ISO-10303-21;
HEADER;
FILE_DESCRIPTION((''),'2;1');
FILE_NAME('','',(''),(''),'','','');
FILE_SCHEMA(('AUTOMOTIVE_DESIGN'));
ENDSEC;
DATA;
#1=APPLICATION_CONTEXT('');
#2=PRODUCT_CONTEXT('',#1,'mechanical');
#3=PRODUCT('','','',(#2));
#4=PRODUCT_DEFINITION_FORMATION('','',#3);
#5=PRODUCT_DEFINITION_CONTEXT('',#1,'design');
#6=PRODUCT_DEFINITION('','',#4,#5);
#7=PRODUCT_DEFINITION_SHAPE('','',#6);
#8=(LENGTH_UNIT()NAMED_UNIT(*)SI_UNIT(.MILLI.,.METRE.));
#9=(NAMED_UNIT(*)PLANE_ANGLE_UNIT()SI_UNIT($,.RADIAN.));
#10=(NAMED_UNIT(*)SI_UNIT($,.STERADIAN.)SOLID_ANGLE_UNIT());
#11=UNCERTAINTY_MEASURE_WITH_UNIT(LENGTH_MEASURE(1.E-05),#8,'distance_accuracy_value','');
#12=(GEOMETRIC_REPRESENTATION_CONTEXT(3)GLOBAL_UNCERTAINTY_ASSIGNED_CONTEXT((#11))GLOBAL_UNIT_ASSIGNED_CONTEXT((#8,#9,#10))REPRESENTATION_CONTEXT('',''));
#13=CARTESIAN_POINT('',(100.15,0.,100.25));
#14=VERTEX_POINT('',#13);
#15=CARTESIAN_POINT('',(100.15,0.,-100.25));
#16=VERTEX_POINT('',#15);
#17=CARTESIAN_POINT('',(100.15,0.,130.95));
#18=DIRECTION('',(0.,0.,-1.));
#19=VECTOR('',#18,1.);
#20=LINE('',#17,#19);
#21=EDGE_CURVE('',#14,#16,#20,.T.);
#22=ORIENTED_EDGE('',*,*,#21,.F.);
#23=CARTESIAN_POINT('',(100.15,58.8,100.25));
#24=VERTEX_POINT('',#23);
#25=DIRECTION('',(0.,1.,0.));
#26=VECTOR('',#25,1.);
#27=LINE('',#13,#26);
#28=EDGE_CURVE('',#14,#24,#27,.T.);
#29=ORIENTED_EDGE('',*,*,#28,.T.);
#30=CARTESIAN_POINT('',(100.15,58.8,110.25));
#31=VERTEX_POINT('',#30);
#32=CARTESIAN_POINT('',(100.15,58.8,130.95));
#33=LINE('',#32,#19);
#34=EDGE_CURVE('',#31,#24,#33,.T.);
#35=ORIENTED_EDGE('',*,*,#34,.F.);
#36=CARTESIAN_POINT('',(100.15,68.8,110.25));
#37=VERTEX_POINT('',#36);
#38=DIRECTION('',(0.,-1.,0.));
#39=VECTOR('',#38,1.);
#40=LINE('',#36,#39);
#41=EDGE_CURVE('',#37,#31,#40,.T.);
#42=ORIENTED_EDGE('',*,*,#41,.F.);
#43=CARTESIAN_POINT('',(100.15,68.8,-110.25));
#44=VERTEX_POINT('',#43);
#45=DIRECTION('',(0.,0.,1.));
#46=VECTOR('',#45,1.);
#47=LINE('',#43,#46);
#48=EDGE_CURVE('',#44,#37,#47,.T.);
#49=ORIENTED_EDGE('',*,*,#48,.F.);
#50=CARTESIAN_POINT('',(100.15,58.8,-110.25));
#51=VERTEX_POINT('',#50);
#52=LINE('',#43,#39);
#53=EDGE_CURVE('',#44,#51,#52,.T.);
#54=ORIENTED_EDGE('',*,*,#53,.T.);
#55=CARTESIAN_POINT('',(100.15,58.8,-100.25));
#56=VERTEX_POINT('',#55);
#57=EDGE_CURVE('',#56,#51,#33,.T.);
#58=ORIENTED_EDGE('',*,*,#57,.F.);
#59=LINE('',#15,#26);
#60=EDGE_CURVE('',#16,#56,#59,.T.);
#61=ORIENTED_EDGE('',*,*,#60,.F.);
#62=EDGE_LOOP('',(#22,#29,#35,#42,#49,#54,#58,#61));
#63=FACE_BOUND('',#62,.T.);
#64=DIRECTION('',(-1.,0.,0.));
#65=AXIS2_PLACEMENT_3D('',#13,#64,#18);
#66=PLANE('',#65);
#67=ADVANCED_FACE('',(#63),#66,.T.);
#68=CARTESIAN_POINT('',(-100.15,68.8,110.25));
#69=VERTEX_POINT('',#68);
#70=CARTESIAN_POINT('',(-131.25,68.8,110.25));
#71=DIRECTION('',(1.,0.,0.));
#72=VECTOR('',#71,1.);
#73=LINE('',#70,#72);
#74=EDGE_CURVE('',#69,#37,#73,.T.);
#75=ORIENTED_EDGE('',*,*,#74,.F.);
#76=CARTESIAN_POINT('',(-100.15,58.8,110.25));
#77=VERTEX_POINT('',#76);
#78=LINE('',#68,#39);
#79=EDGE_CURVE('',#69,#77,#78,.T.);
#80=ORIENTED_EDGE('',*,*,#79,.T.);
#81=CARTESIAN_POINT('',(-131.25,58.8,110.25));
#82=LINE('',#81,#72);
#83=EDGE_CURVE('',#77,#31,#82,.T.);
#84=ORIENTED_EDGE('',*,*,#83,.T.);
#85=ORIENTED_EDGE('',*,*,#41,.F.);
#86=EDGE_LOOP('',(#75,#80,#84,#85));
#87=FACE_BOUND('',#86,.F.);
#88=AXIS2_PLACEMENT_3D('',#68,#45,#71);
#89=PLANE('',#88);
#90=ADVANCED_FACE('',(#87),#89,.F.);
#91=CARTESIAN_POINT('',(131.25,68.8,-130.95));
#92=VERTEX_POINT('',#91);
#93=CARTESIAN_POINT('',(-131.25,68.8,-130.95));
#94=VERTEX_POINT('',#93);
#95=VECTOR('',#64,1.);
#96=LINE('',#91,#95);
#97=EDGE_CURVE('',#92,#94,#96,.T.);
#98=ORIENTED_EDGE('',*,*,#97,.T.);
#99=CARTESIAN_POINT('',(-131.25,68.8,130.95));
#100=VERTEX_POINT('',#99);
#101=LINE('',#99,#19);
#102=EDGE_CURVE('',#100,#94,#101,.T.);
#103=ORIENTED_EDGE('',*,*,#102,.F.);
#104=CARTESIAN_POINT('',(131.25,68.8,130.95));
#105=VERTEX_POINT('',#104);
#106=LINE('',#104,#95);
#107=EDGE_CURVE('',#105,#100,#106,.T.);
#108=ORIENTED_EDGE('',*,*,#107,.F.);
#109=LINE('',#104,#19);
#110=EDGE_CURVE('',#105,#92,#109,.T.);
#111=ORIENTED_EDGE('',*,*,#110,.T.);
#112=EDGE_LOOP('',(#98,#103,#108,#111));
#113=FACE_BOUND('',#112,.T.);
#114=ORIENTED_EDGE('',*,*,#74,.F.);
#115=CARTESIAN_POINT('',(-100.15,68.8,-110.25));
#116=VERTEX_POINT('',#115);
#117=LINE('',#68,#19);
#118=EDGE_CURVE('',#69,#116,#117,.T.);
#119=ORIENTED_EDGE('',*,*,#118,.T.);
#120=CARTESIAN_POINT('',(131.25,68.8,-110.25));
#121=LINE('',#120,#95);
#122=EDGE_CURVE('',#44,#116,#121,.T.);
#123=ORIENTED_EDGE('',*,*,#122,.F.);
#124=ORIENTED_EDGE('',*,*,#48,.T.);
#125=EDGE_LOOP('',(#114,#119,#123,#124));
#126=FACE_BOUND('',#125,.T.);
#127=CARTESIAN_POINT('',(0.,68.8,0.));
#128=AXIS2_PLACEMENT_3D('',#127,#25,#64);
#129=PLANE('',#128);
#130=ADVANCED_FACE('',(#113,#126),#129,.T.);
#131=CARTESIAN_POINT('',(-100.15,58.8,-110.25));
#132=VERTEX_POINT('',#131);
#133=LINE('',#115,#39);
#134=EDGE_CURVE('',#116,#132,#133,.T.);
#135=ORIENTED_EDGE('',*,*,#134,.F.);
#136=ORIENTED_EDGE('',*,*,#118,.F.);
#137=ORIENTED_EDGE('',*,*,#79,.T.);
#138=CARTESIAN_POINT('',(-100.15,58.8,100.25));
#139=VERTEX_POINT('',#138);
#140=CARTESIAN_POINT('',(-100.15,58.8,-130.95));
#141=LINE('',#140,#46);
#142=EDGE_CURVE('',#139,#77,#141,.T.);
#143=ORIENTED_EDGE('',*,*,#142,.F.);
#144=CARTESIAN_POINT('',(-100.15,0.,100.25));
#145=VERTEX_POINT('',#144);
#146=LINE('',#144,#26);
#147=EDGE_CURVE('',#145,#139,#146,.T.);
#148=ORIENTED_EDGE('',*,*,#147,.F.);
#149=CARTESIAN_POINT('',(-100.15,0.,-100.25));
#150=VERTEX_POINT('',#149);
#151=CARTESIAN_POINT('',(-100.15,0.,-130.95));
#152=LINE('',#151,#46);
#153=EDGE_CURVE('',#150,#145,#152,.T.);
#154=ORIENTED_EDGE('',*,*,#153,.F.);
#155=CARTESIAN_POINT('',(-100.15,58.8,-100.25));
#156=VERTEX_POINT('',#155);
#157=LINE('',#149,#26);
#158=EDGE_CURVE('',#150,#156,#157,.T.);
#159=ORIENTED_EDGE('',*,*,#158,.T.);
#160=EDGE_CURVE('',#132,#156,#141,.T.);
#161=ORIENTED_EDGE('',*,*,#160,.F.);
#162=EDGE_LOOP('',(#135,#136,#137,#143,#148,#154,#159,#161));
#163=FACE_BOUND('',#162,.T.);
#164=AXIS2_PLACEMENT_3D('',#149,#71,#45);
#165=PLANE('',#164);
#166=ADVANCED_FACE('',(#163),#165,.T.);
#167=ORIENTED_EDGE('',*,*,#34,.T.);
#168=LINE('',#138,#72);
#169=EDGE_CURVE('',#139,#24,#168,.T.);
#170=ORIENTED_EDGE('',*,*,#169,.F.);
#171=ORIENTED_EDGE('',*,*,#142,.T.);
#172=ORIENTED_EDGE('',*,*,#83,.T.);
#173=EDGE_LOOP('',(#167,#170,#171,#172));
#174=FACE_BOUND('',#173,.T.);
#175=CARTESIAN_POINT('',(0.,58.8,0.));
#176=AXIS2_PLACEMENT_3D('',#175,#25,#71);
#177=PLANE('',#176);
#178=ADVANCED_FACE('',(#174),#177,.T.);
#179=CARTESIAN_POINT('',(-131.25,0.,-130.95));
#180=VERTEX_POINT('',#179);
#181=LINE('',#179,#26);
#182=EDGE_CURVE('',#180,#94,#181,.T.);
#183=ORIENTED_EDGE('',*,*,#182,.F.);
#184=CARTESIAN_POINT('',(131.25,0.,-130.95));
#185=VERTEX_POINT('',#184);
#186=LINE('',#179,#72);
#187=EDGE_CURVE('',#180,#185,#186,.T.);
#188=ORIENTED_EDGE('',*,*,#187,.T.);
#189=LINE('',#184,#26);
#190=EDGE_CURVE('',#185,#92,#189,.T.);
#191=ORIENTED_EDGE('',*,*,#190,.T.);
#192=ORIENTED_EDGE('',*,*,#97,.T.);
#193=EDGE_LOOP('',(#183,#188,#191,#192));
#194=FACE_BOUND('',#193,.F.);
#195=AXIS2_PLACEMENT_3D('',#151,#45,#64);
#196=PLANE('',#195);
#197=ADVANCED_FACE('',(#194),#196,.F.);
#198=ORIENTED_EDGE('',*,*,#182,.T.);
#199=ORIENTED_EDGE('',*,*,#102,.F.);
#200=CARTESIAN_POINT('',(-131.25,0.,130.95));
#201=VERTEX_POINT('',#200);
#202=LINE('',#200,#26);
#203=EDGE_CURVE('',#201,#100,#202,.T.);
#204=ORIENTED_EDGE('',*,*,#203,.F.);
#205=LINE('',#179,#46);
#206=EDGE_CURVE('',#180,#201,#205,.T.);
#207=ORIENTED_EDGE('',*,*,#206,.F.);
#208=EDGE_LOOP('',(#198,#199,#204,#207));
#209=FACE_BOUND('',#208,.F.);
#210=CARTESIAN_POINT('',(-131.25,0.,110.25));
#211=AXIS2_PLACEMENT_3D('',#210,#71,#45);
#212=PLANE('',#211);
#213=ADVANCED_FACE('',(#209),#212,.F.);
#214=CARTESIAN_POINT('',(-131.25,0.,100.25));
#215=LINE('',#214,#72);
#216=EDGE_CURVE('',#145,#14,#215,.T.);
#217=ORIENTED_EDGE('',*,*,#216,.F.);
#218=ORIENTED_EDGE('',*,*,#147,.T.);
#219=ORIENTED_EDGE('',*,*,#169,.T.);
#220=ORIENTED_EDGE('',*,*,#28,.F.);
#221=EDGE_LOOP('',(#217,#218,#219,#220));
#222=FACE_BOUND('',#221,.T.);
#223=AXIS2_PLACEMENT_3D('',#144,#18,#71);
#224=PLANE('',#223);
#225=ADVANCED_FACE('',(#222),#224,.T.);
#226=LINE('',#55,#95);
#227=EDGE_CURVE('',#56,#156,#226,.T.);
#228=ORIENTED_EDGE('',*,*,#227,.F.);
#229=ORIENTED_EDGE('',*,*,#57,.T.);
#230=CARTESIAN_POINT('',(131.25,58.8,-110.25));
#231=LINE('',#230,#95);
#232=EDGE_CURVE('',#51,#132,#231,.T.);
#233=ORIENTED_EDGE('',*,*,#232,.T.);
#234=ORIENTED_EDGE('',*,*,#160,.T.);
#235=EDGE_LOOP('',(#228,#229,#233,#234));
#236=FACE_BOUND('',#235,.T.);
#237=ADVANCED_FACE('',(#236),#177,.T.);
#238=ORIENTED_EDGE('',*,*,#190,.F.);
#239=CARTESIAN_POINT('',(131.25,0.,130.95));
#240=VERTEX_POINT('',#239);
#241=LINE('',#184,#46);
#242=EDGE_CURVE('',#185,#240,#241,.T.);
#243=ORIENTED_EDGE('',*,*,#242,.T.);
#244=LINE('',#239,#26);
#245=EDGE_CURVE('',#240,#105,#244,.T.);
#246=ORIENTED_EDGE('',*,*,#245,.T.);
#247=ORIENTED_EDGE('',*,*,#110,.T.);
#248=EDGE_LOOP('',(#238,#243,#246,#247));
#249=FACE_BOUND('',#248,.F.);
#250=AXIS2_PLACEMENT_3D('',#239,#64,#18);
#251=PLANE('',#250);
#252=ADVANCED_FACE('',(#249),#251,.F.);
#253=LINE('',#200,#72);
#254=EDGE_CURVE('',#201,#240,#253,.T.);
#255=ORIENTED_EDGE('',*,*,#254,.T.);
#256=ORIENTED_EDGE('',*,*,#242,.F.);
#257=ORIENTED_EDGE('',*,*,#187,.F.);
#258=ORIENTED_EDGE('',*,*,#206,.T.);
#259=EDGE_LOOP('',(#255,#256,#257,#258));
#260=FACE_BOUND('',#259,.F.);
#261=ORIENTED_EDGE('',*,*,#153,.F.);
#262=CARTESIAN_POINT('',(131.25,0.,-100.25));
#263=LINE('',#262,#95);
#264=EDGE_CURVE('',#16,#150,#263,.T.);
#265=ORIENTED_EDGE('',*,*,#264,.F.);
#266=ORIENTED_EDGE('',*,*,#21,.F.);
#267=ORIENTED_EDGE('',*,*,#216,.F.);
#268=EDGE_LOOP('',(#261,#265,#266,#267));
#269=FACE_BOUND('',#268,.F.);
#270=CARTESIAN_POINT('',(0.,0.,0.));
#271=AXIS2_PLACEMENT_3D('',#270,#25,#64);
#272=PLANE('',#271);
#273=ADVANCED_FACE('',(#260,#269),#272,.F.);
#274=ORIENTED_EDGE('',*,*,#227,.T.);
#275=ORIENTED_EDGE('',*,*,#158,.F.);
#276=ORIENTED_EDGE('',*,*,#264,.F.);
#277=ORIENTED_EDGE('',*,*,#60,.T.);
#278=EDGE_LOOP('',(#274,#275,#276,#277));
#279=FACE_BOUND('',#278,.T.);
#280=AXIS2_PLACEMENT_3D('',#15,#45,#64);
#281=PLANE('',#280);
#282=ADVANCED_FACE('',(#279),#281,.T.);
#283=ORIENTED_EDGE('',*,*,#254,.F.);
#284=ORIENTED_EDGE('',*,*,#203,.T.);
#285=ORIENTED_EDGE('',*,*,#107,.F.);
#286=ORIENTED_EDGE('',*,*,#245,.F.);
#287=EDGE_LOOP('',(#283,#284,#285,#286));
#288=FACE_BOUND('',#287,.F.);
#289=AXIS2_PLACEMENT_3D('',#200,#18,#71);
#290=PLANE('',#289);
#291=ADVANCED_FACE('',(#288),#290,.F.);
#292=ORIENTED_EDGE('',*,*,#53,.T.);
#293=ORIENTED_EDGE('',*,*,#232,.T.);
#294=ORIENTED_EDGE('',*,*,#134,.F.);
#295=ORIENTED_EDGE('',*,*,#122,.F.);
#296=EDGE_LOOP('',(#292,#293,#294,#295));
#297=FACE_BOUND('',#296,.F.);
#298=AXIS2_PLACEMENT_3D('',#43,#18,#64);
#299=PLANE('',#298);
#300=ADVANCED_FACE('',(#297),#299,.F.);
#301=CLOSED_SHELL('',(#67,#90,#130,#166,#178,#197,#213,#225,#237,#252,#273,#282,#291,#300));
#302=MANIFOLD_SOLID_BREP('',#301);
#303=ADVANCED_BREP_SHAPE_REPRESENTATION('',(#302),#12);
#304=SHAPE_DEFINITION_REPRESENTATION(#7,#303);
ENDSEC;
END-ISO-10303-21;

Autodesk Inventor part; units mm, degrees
ref_plane "YZ Plane" through (0, 0, 0) normal (1, 0, 0) x (0, 1, 0)
ref_plane "XZ Plane" through (0, 0, 0) normal (0, 1, 0) x (-1, 0, 0)
ref_plane "XY Plane" through (0, 0, 0) normal (0, 0, 1) x (1, 0, 0)
sketch "Esboço1" plane through (0, 0, 0) normal (0, 1, 0) x (-1, 0, 0)
  line L0 (131.25, 130.95) -> (-131.25, 130.95)
  line L1 (-131.25, 130.95) -> (-131.25, -130.95)
  line L2 (-131.25, -130.95) -> (131.25, -130.95)
  line L3 (131.25, -130.95) -> (131.25, 130.95)
  line L4 (131.25, 130.95) -> (-131.25, -130.95) construction
  line L5 (-131.25, 130.95) -> (131.25, -130.95) construction
  line L6 (-131.25, -110.25) -> (131.25, -110.25)
  line L7 (131.25, 110.25) -> (-131.25, 110.25)
  line L8 (100.15, -130.95) -> (100.15, 130.95)
  line L9 (-100.15, 130.95) -> (-100.15, -130.95)
  line L10 (131.25, 100.25) -> (-131.25, 100.25)
  line L11 (-131.25, -100.25) -> (131.25, -100.25)
  point P0 (0, 0)
  point P1 (-100.15, -100.25)
  point P2 (100.15, -100.25)
  point P3 (100.15, 100.25)
  point P4 (-100.15, 100.25)
  dimension "d0" = 262.5
  dimension "d1" = 261.9
  dimension "d2" = 20.7
  dimension "d3" = 20.7
  dimension "d4" = 31.1
  dimension "d5" = 31.1
  dimension "d6" = 10
  dimension "d7" = 10
extrude "Extrusão1" add sketch "Esboço1" along normal blind 68.8
extrude "Extrusão2" cut sketch "Esboço1" along normal blind 68.8 contours L8 L11 L9 L10
sketch "Esboço2" plane through (0, 68.8, 0) normal (0, 1, 0) x (1, 0, 0)
  line L0 (100.15, 100.25) -> (-100.15, 100.25) projected
  line L1 (-100.15, -100.25) -> (-100.15, 100.25) projected
  line L2 (-100.15, 100.25) -> (-100.15, -100.25) projected
  line L3 (-100.15, 100.25) -> (-100.15, -100.25) projected
  line L4 (-100.15, -100.25) -> (-100.15, 100.25) projected
  line L5 (-131.25, 130.95) -> (-131.25, -130.95) projected
  line L6 (-131.25, 130.95) -> (-131.25, -130.95) projected
  line L7 (-131.25, 130.95) -> (-131.25, -130.95) projected
  line L8 (-131.25, 130.95) -> (-131.25, -130.95) projected
  line L9 (131.25, 130.95) -> (-131.25, 130.95) projected
  line L10 (-100.15, -100.25) -> (100.15, -100.25) projected
  line L11 (-131.25, -130.95) -> (131.25, -130.95) projected
  line L12 (100.15, 100.25) -> (-100.15, 100.25) projected
  line L13 (-100.15, 100.25) -> (-100.15, -100.25) projected
  line L14 (-100.15, -100.25) -> (100.15, -100.25) projected
  line L15 (100.15, -100.25) -> (100.15, 100.25) projected
  line L16 (-131.25, -130.95) -> (131.25, -130.95) projected
  line L17 (-131.25, 130.95) -> (-131.25, -130.95) projected
  line L18 (131.25, 130.95) -> (-131.25, 130.95) projected
  line L19 (131.25, -130.95) -> (131.25, 130.95) projected
  line L20 (131.25, -130.95) -> (131.25, 130.95) projected
  line L21 (100.15, -100.25) -> (100.15, 100.25) projected
  line L22 (-131.25, -130.95) -> (131.25, -130.95) projected
  line L23 (-131.25, -110.25) -> (131.25, -110.25) projected
  line L24 (-131.25, -100.25) -> (131.25, -100.25) projected
  line L25 (131.25, -130.95) -> (131.25, 130.95) projected
  line L26 (100.15, -130.95) -> (100.15, 130.95) projected
  line L27 (-100.15, 130.95) -> (-100.15, -130.95) projected
  line L28 (-131.25, -130.95) -> (131.25, 130.95) construction
  line L29 (-131.25, 130.95) -> (-131.25, -130.95) projected
  line L30 (131.25, -130.95) -> (-131.25, 130.95) construction
  line L31 (131.25, 100.25) -> (-131.25, 100.25) projected
  line L32 (131.25, 110.25) -> (-131.25, 110.25) projected
  line L33 (131.25, 130.95) -> (-131.25, 130.95) projected
  point P0 (0, 0)
  point P1 (0, 0)
  point P2 (-100.15, -110.25)
  point P3 (100.15, -110.25)
  point P4 (100.15, 110.25)
  point P5 (-100.15, 110.25)
extrude "Extrusão3" cut sketch "Esboço2" against normal blind 10 contours L0 L27 L32 L26 | L26 L23 L27 L10
properties part number "Melgueira-Sobreninho"
